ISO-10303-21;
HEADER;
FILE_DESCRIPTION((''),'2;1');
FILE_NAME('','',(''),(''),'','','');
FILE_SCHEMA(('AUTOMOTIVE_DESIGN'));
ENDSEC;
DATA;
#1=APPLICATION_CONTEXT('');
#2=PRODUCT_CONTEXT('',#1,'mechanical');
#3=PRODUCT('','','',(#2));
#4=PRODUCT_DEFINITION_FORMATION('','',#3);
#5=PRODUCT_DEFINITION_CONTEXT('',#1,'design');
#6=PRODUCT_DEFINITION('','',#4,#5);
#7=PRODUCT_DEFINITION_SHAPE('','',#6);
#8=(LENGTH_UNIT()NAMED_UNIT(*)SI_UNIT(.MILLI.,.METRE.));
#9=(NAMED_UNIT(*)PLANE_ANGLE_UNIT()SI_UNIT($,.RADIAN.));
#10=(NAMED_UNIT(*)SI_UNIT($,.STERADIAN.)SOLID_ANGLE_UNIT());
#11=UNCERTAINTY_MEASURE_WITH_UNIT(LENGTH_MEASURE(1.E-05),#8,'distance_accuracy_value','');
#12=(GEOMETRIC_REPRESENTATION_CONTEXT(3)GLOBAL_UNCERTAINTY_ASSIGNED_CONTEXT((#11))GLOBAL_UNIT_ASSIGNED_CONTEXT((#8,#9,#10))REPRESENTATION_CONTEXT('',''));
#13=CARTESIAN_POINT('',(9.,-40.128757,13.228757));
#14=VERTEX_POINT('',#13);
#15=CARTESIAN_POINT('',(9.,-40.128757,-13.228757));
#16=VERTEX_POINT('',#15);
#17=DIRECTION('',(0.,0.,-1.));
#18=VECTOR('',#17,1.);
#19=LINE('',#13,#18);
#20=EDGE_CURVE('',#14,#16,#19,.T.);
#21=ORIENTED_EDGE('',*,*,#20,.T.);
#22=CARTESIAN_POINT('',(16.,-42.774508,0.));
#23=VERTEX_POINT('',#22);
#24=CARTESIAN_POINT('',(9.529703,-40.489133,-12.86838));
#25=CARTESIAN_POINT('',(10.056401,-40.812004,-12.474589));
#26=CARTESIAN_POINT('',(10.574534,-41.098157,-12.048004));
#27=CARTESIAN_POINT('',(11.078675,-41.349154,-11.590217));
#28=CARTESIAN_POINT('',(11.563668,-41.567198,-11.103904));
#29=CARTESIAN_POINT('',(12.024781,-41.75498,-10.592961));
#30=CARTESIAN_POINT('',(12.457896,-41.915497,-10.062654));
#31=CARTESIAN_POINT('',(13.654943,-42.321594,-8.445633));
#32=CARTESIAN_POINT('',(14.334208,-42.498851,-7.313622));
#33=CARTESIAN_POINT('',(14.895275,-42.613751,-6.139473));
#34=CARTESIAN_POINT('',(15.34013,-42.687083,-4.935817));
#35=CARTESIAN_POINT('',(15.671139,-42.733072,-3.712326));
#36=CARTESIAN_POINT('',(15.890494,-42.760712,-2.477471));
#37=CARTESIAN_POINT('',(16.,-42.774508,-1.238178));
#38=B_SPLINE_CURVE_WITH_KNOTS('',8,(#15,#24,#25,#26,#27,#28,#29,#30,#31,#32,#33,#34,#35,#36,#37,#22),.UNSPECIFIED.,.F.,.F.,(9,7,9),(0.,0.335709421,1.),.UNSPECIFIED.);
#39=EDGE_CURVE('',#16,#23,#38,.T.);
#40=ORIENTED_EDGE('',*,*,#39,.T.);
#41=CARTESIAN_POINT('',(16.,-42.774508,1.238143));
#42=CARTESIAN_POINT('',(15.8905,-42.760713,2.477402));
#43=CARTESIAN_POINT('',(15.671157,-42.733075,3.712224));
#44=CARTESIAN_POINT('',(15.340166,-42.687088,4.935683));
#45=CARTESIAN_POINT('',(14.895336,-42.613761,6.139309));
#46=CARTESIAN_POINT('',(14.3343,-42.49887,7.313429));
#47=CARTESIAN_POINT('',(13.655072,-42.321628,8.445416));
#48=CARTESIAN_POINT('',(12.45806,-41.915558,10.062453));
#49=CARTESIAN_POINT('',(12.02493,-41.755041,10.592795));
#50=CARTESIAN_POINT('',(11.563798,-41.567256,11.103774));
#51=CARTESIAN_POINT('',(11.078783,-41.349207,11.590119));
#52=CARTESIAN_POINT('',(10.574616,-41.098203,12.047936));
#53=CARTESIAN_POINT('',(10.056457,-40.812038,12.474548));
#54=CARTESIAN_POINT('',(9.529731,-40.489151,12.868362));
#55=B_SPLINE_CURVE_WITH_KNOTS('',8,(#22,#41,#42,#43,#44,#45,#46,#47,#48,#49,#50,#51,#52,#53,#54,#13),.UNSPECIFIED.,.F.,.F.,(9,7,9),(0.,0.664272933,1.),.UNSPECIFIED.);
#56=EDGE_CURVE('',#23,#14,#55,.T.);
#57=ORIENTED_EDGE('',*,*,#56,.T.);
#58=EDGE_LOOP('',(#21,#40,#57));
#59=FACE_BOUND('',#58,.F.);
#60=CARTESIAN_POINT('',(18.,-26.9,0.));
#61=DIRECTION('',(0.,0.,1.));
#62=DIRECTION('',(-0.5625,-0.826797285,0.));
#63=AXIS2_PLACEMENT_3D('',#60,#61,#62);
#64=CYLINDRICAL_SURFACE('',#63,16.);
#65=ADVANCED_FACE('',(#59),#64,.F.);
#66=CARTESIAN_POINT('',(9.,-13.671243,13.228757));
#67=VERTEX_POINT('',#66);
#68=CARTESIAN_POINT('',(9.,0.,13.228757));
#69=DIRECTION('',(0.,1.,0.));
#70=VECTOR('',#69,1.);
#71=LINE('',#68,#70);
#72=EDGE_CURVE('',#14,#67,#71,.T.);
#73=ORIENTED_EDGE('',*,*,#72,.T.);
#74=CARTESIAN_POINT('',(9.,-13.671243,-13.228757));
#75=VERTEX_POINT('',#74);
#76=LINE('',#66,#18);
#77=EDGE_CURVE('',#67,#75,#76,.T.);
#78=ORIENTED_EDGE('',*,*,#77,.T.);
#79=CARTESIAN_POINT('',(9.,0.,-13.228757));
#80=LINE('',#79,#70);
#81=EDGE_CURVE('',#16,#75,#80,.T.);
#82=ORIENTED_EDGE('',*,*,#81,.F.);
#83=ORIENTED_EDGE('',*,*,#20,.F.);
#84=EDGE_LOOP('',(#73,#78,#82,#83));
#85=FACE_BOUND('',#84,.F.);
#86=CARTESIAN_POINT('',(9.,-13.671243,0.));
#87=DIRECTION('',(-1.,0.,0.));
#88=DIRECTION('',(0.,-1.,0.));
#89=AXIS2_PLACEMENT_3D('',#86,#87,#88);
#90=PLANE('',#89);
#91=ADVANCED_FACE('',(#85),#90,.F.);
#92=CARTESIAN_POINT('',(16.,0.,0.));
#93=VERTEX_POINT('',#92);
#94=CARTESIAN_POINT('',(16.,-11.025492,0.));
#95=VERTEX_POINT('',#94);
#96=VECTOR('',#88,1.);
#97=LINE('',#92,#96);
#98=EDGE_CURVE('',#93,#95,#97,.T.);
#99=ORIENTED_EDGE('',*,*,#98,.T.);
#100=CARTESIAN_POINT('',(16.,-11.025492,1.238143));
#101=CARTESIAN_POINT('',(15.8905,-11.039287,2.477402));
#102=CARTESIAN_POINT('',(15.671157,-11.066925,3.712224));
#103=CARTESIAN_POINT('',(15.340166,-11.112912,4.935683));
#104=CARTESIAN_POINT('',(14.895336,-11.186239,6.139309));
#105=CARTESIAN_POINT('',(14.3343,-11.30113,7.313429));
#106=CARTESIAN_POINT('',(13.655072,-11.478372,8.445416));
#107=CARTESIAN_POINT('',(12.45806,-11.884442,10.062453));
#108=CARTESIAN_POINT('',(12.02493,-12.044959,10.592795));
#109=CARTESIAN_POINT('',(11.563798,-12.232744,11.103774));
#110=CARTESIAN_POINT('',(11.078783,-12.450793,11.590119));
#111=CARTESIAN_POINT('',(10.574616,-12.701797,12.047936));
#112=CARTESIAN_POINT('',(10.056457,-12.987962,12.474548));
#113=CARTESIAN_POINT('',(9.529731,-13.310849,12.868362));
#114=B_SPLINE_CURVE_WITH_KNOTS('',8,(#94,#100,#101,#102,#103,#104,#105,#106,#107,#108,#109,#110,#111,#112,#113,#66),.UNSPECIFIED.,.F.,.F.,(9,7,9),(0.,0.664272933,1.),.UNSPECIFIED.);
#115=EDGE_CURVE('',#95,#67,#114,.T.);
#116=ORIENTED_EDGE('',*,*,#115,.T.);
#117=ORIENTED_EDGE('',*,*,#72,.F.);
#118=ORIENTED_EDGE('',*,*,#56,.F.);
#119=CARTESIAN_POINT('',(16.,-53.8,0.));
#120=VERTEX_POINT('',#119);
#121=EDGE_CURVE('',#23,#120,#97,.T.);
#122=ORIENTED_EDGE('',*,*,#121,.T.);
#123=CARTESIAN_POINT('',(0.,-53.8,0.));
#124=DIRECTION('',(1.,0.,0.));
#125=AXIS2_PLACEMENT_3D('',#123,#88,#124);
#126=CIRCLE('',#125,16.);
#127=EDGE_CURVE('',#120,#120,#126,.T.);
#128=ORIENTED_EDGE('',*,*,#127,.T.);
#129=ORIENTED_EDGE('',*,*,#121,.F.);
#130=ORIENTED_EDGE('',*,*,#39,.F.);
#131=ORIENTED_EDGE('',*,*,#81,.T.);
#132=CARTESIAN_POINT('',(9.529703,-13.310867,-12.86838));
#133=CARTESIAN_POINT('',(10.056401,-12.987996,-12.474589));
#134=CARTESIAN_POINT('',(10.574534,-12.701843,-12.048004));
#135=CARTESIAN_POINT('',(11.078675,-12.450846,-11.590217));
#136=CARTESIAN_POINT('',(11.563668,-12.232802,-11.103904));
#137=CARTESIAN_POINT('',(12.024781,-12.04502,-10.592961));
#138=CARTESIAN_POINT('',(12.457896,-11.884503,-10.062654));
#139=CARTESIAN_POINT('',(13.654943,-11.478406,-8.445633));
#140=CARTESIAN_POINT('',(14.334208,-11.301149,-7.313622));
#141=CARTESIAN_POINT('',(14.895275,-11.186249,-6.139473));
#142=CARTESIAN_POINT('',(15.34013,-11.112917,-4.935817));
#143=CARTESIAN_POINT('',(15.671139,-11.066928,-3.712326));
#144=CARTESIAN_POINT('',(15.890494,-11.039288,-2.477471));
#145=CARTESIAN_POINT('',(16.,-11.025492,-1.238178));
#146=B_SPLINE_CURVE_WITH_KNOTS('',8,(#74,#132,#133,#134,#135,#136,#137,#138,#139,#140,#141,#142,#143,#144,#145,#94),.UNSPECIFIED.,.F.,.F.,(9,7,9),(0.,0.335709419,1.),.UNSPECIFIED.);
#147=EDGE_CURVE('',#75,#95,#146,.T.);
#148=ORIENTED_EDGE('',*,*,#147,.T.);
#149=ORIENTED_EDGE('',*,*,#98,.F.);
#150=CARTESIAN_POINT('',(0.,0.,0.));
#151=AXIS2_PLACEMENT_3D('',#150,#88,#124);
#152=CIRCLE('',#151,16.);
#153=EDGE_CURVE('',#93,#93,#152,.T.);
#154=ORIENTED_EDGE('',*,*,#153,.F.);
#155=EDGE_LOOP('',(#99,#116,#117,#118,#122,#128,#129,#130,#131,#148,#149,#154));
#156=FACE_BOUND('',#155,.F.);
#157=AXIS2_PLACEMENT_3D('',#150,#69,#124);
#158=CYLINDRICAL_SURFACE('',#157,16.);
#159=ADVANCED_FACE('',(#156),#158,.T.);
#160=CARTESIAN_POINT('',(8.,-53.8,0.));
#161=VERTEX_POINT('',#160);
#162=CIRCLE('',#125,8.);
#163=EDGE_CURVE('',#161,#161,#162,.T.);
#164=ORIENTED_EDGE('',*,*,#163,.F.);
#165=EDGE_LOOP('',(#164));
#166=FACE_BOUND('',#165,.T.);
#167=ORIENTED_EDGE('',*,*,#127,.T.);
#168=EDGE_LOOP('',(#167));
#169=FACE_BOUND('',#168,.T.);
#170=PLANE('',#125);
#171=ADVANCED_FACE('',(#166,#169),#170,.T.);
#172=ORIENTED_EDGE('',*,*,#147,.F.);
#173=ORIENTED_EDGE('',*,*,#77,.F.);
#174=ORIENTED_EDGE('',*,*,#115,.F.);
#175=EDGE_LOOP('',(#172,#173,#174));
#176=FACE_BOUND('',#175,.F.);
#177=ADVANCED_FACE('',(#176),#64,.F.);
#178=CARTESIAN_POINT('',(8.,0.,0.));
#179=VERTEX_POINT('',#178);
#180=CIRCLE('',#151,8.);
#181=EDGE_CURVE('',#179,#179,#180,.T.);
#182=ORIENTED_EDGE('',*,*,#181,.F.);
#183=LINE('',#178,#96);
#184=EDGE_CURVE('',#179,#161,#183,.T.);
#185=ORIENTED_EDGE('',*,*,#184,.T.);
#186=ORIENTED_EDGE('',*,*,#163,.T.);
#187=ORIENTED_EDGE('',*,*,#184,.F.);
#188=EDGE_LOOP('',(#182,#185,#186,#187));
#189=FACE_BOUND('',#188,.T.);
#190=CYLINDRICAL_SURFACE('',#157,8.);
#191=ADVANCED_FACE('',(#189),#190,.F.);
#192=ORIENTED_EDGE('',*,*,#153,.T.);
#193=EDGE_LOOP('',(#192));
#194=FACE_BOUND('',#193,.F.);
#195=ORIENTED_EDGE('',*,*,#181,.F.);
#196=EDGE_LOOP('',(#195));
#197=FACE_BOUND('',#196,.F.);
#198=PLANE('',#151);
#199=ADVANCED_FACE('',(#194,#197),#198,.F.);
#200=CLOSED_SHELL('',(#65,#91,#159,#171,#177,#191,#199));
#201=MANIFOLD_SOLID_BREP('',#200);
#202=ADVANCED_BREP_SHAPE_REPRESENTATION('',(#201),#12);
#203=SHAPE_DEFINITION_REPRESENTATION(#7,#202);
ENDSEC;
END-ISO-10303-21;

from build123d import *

# Parameters (mm, degrees)
F0_R          = 16
F0_R_2        = 8
F1_DEPTH      = 53.8
F3_DEPTH      = 25
F3_DEPTH_BACK = 16.001


with BuildPart() as f1:
    # F0 (on Front) → F1 (new body)
    with BuildSketch(Plane.XZ):
        Circle(F0_R)
        Circle(F0_R_2, mode=Mode.SUBTRACT)
    extrude(amount=F1_DEPTH)

    # F2 (on Top) → F3 (cut, two sides)
    with BuildSketch(Plane.XY) as f3_sk:
        with BuildLine():
            Line((9, -13.6712434447), (9, -40.1287565553))
            ThreePointArc((9, -40.1287565553), (34, -26.9), (9, -13.6712434447))
        make_face()
    extrude(amount=-F3_DEPTH, mode=Mode.SUBTRACT)
    extrude(f3_sk.sketch, amount=F3_DEPTH_BACK, mode=Mode.SUBTRACT)


solid = f1.part
